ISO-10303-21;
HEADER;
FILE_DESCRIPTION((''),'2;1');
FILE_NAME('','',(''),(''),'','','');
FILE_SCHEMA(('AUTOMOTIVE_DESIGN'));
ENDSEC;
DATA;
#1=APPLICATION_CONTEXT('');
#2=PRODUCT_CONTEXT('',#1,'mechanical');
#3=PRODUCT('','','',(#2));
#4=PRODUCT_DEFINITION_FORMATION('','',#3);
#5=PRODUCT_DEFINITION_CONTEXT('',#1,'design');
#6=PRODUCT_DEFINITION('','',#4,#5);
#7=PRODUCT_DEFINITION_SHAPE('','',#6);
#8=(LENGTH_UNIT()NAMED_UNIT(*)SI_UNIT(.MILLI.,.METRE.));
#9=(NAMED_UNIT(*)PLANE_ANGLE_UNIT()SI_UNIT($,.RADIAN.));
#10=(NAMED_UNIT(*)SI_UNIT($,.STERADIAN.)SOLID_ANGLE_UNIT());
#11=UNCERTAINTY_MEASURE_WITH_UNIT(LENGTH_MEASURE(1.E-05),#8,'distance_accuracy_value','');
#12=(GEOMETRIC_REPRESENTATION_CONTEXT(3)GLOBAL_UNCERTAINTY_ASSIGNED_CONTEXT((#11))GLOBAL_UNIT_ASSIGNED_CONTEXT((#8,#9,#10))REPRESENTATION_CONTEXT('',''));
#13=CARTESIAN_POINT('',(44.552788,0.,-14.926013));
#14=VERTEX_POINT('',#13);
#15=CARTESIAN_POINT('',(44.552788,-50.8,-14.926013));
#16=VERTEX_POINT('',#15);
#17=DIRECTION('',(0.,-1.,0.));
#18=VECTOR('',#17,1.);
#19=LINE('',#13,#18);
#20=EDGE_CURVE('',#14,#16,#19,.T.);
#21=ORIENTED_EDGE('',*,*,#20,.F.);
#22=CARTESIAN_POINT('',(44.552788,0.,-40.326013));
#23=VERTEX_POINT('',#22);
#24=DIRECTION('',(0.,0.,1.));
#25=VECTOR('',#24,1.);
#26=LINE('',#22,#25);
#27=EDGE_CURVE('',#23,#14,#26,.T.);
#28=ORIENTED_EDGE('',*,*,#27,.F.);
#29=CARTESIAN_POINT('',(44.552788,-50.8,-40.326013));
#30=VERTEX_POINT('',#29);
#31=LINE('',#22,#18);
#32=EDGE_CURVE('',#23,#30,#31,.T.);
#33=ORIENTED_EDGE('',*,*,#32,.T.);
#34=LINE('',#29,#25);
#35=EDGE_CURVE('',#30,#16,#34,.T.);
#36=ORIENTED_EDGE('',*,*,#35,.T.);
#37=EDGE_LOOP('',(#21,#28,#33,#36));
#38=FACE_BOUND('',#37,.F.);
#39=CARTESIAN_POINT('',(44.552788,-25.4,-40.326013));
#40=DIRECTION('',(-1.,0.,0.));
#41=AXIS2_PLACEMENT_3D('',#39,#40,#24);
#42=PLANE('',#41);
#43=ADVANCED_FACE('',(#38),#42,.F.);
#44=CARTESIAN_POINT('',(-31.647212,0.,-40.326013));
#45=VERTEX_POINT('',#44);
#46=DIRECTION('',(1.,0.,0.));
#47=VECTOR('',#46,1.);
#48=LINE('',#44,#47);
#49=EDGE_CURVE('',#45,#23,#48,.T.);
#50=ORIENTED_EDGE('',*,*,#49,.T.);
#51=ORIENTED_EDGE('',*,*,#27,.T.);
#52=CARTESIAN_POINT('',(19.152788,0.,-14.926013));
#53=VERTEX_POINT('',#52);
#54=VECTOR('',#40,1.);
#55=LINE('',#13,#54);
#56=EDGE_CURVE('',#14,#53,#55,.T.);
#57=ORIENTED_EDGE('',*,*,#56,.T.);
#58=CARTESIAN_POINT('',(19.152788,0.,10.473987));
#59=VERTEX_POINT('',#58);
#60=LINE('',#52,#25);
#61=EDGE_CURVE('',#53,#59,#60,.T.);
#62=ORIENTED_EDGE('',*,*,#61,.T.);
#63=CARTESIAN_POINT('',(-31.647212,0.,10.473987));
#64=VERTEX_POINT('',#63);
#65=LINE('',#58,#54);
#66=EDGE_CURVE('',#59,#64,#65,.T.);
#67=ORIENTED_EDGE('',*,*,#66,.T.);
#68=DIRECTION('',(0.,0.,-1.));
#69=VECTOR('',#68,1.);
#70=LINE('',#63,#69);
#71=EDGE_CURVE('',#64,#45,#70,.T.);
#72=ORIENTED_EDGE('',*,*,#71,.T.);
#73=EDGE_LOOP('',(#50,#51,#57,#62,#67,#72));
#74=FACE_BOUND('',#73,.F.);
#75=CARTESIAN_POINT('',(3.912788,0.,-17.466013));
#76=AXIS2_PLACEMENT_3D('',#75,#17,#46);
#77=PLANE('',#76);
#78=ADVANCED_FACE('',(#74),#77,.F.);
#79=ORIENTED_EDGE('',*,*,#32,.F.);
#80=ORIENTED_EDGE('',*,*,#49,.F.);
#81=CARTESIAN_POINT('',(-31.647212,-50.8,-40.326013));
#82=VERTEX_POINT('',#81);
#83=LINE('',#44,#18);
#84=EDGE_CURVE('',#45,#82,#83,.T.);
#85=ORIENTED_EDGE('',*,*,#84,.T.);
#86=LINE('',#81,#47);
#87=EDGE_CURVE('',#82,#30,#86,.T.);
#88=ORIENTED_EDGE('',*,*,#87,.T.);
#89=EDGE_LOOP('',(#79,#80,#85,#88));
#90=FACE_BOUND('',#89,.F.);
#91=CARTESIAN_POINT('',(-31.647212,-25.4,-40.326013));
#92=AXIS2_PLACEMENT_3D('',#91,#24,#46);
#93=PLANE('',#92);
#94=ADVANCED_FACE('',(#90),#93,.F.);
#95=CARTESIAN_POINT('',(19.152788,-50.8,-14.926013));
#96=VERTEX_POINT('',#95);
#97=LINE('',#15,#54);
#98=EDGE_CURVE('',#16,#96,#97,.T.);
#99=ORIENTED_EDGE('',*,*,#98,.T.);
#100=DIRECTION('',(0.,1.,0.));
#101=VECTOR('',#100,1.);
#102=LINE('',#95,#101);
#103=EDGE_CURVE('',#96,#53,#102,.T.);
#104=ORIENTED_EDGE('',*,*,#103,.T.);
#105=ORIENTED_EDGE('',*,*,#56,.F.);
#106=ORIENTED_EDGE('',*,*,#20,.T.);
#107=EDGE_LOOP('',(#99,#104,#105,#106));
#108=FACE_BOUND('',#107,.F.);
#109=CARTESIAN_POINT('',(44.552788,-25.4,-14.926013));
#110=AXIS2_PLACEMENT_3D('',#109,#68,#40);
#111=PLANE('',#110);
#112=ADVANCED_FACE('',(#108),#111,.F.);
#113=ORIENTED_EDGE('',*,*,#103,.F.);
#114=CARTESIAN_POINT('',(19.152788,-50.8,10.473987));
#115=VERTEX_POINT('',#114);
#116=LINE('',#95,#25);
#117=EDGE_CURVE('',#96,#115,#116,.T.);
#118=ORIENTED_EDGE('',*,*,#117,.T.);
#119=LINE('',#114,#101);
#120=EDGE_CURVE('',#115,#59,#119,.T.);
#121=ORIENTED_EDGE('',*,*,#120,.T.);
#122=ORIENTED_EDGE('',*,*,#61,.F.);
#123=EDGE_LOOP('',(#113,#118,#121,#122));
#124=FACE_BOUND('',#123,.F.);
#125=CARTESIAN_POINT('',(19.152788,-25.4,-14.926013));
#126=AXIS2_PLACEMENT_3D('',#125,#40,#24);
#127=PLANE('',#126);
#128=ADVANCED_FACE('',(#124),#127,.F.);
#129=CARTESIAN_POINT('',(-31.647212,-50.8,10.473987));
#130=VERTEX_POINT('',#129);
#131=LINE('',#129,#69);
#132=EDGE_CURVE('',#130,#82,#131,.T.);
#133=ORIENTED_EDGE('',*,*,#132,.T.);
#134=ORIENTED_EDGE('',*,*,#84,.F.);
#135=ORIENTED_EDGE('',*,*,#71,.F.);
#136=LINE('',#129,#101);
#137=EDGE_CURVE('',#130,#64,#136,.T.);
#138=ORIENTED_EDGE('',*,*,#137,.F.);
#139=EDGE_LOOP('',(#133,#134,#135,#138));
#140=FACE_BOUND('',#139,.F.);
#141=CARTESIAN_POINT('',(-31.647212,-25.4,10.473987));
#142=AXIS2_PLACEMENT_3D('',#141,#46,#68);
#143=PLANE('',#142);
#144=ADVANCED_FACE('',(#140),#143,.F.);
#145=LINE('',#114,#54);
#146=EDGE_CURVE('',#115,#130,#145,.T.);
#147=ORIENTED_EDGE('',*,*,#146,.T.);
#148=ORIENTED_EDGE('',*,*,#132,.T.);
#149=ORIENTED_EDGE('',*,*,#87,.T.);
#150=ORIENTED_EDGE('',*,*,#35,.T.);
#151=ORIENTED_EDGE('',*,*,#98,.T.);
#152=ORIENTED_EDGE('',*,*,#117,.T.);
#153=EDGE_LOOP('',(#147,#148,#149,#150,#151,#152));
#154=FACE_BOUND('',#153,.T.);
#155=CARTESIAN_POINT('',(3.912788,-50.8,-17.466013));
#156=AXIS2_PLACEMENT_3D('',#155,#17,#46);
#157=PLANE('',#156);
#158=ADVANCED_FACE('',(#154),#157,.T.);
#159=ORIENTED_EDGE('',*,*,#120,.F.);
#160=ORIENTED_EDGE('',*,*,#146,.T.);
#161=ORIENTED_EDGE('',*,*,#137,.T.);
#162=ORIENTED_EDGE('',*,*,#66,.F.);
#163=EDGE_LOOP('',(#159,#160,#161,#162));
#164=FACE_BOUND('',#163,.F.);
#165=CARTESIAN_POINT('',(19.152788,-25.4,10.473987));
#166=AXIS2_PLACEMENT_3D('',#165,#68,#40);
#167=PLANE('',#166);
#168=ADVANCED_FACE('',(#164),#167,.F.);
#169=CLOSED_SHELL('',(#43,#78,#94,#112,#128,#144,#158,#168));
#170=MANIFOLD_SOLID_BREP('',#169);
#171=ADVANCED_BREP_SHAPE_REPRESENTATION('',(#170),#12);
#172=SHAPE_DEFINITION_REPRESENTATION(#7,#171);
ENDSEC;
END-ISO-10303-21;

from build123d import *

# Parameters (mm, degrees)
F1_DEPTH = 25.4
F2_DEPTH = 25.4


with BuildPart() as f1:
    # F0 (on Front) → F1 (new body)
    with BuildSketch(Plane.XZ):
        Polygon((-31.647212, 10.473987), (-31.647212, -40.326013), (44.552788, -40.326013), (44.552788, -14.926013), (19.152788, -14.926013), (19.152788, 10.473987), align=None)
    extrude(amount=F1_DEPTH)

    # F1_face (on face) → F2 (join)
    with BuildSketch(Plane(origin=(1.372788, -25.4, -17.466013), x_dir=(1, 0, 0), z_dir=(0, -1, 0))):
        Polygon((-33.02, 27.94), (-33.02, -22.86), (43.18, -22.86), (43.18, 2.54), (17.78, 2.54), (17.78, 27.94), align=None)
    extrude(amount=F2_DEPTH)


solid = f1.part
